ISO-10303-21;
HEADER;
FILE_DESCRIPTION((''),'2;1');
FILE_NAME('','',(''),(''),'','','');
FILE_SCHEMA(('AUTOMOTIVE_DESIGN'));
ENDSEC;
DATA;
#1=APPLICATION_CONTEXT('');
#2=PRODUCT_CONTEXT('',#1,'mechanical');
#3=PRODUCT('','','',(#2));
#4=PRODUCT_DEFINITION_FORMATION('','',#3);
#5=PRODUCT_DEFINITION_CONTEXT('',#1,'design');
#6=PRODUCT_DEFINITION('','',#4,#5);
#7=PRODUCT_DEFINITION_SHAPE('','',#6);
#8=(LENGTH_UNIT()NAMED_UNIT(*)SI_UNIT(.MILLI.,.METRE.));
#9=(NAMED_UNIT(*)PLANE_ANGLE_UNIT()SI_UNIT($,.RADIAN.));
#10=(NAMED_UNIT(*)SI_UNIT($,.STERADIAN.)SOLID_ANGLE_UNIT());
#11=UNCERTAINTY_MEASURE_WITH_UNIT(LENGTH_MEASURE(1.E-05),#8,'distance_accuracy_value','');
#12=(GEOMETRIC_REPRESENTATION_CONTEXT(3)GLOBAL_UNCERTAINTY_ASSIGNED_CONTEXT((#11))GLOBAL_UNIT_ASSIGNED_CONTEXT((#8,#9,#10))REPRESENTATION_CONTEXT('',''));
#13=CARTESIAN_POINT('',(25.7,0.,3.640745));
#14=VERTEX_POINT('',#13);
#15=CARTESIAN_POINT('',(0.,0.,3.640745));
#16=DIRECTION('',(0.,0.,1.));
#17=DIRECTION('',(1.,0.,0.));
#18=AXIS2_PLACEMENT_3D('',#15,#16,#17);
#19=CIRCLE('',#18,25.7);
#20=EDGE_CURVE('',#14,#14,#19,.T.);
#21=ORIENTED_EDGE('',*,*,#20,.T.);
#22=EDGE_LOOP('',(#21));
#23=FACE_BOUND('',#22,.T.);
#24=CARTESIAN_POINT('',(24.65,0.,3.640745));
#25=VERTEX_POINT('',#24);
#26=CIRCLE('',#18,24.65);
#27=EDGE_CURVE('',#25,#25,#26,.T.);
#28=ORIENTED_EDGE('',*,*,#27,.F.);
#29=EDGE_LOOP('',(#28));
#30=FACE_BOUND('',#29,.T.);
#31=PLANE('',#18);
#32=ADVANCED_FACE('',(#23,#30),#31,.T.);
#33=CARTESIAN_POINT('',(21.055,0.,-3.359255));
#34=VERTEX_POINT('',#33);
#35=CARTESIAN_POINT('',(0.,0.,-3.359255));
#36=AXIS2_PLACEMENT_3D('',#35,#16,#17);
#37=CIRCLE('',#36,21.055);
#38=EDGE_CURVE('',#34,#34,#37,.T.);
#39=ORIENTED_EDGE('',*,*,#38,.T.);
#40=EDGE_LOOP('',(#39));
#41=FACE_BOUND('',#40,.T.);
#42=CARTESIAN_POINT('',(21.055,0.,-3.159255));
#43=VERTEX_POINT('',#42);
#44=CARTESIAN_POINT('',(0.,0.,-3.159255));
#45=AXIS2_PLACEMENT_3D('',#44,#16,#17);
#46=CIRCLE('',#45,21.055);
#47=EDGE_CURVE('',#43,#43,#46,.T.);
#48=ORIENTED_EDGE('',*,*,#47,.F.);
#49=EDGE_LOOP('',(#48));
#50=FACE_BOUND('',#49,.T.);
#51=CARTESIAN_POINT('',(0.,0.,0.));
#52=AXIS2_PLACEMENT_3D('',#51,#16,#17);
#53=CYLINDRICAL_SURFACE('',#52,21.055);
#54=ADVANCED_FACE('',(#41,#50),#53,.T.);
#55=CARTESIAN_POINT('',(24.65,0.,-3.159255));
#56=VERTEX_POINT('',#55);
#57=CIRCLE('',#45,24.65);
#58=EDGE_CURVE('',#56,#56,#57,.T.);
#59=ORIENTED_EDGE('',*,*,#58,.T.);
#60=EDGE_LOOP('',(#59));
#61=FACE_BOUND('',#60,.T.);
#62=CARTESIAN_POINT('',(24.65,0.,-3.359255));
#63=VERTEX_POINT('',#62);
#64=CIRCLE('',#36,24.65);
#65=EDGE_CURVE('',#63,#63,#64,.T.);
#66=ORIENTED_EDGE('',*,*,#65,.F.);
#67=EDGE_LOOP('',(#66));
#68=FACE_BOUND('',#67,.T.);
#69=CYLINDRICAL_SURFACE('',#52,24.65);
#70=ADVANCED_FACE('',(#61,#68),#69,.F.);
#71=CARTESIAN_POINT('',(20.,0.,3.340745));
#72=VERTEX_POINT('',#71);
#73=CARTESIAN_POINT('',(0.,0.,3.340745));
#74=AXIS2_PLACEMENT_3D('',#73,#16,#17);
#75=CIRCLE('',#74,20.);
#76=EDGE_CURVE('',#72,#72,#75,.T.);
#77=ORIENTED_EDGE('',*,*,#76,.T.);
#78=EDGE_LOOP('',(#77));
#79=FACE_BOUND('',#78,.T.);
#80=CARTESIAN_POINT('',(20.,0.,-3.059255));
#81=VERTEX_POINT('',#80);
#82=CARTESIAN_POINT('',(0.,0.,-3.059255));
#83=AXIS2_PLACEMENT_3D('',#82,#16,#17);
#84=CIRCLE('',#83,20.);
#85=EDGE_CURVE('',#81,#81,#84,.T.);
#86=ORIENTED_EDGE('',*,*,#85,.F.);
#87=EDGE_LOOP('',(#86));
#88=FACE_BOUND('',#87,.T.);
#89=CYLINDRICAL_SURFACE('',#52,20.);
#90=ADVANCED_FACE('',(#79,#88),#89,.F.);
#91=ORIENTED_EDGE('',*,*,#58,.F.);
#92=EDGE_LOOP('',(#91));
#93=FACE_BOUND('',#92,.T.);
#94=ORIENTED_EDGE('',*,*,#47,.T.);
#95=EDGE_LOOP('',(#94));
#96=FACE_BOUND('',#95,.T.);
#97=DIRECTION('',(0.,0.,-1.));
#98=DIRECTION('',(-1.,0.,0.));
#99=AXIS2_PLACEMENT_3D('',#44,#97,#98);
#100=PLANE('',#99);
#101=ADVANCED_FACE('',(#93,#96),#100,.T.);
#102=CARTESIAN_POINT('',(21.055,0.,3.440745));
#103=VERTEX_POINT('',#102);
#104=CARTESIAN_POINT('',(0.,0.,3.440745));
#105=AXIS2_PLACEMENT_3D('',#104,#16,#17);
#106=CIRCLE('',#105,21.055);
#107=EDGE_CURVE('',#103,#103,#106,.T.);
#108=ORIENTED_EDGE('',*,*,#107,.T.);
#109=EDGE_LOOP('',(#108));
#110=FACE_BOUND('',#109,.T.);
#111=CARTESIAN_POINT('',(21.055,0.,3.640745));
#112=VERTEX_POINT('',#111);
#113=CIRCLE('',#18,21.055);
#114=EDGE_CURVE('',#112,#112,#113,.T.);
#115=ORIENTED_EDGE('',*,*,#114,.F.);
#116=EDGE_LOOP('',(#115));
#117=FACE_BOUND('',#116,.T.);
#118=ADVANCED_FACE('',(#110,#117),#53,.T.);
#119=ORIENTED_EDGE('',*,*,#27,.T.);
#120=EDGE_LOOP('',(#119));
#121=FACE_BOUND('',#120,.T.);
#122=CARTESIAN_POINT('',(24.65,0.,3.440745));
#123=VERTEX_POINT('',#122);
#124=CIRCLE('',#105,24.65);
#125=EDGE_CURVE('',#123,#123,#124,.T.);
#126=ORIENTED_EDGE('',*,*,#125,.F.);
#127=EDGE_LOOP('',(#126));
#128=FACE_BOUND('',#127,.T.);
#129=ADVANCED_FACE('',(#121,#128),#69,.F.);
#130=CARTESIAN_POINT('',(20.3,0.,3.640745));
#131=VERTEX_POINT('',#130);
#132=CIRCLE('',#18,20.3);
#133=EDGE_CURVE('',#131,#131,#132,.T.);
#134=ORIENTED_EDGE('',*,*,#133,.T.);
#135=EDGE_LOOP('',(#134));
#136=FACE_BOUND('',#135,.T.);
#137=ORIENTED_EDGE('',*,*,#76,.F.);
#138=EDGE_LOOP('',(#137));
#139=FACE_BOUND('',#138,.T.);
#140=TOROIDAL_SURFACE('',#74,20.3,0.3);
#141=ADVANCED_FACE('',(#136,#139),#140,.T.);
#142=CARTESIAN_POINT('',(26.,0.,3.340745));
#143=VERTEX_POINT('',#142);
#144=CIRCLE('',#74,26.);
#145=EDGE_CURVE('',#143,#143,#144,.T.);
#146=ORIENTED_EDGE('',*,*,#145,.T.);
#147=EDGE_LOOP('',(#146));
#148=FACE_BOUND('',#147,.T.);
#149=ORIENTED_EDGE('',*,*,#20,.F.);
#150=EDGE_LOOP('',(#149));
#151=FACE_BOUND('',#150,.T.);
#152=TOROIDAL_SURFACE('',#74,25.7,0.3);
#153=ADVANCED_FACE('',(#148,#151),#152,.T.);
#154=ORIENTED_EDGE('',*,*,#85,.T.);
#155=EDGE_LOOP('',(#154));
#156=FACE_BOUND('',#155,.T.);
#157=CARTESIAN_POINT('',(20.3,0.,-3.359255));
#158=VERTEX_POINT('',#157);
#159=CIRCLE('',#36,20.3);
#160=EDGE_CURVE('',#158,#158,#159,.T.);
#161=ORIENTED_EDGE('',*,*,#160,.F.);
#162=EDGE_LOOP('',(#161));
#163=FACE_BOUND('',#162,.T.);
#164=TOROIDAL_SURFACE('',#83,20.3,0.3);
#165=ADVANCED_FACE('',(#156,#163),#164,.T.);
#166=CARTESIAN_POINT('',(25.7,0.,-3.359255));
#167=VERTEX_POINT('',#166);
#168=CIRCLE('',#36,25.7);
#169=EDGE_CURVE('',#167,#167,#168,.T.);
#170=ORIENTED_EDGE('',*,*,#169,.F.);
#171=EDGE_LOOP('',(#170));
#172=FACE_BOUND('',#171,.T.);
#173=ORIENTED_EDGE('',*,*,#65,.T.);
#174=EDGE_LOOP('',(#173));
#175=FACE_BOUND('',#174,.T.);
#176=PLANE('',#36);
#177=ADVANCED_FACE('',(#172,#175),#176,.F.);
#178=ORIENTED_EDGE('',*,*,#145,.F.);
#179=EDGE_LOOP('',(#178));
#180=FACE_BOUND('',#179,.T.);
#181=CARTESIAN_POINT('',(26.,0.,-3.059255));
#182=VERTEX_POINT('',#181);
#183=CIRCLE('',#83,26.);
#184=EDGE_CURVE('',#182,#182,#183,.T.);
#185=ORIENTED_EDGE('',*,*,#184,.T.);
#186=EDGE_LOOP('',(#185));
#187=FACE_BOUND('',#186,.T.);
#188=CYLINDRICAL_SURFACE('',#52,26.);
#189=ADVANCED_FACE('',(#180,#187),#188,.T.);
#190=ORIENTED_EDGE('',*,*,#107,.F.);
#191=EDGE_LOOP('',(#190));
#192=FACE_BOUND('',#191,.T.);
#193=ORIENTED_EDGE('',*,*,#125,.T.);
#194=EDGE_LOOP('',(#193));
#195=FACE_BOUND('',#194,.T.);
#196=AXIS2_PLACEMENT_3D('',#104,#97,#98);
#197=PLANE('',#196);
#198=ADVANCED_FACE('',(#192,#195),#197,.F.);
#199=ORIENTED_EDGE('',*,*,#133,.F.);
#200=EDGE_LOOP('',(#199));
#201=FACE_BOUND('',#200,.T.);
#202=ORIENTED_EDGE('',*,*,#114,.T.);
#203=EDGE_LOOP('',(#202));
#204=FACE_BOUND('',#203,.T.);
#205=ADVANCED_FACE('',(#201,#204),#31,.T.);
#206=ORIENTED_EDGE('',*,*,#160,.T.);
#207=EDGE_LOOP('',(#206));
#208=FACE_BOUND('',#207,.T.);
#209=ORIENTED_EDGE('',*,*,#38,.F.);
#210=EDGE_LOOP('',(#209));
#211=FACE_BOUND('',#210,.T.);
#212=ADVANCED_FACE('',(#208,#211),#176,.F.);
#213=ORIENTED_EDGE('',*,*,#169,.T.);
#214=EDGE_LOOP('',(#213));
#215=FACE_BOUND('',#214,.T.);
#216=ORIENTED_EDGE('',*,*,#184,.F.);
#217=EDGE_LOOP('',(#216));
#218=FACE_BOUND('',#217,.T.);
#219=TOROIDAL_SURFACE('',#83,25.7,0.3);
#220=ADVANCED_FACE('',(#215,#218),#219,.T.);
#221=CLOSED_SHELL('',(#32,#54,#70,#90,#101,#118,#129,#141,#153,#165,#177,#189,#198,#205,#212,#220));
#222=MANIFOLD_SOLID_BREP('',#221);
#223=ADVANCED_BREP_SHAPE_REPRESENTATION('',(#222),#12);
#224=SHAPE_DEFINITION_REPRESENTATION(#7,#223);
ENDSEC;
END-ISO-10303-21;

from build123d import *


with BuildPart() as part:
    # Sketch1 → Revolve1 (revolve)
    with BuildSketch(Plane(origin=(0, 0, 0), x_dir=(0, 0, -1), z_dir=(1, 0, 0))):
        with BuildLine():
            ThreePointArc((-3.640744937, 20.3), (-3.552876972, 20.087867966), (-3.340744937, 20))
            Line((-3.340744937, 20), (3.059255063, 20))
            ThreePointArc((3.059255063, 20), (3.271387097, 20.087867966), (3.359255063, 20.3))
            Line((3.359255063, 20.3), (3.359255063, 21.055000054))
            Line((3.359255063, 21.055000054), (3.159255063, 21.055000054))
            Line((3.159255063, 21.055000054), (3.159255063, 24.650000054))
            Line((3.159255063, 24.650000054), (3.359255063, 24.650000054))
            Line((3.359255063, 24.650000054), (3.359255063, 25.7))
            ThreePointArc((3.359255063, 25.7), (3.271387097, 25.912132034), (3.059255063, 26))
            Line((3.059255063, 26), (-3.340744937, 26))
            ThreePointArc((-3.340744937, 26), (-3.552876972, 25.912132034), (-3.640744937, 25.7))
            Line((-3.640744937, 25.7), (-3.640744937, 24.650000054))
            Line((-3.640744937, 24.650000054), (-3.440744937, 24.650000054))
            Line((-3.440744937, 24.650000054), (-3.440744937, 21.055000054))
            Line((-3.440744937, 21.055000054), (-3.640744937, 21.055000054))
            Line((-3.640744937, 21.055000054), (-3.640744937, 20.3))
        make_face()
    revolve(axis=Axis((0, 0, 0), (0, 0, -1)))


solid = part.part
